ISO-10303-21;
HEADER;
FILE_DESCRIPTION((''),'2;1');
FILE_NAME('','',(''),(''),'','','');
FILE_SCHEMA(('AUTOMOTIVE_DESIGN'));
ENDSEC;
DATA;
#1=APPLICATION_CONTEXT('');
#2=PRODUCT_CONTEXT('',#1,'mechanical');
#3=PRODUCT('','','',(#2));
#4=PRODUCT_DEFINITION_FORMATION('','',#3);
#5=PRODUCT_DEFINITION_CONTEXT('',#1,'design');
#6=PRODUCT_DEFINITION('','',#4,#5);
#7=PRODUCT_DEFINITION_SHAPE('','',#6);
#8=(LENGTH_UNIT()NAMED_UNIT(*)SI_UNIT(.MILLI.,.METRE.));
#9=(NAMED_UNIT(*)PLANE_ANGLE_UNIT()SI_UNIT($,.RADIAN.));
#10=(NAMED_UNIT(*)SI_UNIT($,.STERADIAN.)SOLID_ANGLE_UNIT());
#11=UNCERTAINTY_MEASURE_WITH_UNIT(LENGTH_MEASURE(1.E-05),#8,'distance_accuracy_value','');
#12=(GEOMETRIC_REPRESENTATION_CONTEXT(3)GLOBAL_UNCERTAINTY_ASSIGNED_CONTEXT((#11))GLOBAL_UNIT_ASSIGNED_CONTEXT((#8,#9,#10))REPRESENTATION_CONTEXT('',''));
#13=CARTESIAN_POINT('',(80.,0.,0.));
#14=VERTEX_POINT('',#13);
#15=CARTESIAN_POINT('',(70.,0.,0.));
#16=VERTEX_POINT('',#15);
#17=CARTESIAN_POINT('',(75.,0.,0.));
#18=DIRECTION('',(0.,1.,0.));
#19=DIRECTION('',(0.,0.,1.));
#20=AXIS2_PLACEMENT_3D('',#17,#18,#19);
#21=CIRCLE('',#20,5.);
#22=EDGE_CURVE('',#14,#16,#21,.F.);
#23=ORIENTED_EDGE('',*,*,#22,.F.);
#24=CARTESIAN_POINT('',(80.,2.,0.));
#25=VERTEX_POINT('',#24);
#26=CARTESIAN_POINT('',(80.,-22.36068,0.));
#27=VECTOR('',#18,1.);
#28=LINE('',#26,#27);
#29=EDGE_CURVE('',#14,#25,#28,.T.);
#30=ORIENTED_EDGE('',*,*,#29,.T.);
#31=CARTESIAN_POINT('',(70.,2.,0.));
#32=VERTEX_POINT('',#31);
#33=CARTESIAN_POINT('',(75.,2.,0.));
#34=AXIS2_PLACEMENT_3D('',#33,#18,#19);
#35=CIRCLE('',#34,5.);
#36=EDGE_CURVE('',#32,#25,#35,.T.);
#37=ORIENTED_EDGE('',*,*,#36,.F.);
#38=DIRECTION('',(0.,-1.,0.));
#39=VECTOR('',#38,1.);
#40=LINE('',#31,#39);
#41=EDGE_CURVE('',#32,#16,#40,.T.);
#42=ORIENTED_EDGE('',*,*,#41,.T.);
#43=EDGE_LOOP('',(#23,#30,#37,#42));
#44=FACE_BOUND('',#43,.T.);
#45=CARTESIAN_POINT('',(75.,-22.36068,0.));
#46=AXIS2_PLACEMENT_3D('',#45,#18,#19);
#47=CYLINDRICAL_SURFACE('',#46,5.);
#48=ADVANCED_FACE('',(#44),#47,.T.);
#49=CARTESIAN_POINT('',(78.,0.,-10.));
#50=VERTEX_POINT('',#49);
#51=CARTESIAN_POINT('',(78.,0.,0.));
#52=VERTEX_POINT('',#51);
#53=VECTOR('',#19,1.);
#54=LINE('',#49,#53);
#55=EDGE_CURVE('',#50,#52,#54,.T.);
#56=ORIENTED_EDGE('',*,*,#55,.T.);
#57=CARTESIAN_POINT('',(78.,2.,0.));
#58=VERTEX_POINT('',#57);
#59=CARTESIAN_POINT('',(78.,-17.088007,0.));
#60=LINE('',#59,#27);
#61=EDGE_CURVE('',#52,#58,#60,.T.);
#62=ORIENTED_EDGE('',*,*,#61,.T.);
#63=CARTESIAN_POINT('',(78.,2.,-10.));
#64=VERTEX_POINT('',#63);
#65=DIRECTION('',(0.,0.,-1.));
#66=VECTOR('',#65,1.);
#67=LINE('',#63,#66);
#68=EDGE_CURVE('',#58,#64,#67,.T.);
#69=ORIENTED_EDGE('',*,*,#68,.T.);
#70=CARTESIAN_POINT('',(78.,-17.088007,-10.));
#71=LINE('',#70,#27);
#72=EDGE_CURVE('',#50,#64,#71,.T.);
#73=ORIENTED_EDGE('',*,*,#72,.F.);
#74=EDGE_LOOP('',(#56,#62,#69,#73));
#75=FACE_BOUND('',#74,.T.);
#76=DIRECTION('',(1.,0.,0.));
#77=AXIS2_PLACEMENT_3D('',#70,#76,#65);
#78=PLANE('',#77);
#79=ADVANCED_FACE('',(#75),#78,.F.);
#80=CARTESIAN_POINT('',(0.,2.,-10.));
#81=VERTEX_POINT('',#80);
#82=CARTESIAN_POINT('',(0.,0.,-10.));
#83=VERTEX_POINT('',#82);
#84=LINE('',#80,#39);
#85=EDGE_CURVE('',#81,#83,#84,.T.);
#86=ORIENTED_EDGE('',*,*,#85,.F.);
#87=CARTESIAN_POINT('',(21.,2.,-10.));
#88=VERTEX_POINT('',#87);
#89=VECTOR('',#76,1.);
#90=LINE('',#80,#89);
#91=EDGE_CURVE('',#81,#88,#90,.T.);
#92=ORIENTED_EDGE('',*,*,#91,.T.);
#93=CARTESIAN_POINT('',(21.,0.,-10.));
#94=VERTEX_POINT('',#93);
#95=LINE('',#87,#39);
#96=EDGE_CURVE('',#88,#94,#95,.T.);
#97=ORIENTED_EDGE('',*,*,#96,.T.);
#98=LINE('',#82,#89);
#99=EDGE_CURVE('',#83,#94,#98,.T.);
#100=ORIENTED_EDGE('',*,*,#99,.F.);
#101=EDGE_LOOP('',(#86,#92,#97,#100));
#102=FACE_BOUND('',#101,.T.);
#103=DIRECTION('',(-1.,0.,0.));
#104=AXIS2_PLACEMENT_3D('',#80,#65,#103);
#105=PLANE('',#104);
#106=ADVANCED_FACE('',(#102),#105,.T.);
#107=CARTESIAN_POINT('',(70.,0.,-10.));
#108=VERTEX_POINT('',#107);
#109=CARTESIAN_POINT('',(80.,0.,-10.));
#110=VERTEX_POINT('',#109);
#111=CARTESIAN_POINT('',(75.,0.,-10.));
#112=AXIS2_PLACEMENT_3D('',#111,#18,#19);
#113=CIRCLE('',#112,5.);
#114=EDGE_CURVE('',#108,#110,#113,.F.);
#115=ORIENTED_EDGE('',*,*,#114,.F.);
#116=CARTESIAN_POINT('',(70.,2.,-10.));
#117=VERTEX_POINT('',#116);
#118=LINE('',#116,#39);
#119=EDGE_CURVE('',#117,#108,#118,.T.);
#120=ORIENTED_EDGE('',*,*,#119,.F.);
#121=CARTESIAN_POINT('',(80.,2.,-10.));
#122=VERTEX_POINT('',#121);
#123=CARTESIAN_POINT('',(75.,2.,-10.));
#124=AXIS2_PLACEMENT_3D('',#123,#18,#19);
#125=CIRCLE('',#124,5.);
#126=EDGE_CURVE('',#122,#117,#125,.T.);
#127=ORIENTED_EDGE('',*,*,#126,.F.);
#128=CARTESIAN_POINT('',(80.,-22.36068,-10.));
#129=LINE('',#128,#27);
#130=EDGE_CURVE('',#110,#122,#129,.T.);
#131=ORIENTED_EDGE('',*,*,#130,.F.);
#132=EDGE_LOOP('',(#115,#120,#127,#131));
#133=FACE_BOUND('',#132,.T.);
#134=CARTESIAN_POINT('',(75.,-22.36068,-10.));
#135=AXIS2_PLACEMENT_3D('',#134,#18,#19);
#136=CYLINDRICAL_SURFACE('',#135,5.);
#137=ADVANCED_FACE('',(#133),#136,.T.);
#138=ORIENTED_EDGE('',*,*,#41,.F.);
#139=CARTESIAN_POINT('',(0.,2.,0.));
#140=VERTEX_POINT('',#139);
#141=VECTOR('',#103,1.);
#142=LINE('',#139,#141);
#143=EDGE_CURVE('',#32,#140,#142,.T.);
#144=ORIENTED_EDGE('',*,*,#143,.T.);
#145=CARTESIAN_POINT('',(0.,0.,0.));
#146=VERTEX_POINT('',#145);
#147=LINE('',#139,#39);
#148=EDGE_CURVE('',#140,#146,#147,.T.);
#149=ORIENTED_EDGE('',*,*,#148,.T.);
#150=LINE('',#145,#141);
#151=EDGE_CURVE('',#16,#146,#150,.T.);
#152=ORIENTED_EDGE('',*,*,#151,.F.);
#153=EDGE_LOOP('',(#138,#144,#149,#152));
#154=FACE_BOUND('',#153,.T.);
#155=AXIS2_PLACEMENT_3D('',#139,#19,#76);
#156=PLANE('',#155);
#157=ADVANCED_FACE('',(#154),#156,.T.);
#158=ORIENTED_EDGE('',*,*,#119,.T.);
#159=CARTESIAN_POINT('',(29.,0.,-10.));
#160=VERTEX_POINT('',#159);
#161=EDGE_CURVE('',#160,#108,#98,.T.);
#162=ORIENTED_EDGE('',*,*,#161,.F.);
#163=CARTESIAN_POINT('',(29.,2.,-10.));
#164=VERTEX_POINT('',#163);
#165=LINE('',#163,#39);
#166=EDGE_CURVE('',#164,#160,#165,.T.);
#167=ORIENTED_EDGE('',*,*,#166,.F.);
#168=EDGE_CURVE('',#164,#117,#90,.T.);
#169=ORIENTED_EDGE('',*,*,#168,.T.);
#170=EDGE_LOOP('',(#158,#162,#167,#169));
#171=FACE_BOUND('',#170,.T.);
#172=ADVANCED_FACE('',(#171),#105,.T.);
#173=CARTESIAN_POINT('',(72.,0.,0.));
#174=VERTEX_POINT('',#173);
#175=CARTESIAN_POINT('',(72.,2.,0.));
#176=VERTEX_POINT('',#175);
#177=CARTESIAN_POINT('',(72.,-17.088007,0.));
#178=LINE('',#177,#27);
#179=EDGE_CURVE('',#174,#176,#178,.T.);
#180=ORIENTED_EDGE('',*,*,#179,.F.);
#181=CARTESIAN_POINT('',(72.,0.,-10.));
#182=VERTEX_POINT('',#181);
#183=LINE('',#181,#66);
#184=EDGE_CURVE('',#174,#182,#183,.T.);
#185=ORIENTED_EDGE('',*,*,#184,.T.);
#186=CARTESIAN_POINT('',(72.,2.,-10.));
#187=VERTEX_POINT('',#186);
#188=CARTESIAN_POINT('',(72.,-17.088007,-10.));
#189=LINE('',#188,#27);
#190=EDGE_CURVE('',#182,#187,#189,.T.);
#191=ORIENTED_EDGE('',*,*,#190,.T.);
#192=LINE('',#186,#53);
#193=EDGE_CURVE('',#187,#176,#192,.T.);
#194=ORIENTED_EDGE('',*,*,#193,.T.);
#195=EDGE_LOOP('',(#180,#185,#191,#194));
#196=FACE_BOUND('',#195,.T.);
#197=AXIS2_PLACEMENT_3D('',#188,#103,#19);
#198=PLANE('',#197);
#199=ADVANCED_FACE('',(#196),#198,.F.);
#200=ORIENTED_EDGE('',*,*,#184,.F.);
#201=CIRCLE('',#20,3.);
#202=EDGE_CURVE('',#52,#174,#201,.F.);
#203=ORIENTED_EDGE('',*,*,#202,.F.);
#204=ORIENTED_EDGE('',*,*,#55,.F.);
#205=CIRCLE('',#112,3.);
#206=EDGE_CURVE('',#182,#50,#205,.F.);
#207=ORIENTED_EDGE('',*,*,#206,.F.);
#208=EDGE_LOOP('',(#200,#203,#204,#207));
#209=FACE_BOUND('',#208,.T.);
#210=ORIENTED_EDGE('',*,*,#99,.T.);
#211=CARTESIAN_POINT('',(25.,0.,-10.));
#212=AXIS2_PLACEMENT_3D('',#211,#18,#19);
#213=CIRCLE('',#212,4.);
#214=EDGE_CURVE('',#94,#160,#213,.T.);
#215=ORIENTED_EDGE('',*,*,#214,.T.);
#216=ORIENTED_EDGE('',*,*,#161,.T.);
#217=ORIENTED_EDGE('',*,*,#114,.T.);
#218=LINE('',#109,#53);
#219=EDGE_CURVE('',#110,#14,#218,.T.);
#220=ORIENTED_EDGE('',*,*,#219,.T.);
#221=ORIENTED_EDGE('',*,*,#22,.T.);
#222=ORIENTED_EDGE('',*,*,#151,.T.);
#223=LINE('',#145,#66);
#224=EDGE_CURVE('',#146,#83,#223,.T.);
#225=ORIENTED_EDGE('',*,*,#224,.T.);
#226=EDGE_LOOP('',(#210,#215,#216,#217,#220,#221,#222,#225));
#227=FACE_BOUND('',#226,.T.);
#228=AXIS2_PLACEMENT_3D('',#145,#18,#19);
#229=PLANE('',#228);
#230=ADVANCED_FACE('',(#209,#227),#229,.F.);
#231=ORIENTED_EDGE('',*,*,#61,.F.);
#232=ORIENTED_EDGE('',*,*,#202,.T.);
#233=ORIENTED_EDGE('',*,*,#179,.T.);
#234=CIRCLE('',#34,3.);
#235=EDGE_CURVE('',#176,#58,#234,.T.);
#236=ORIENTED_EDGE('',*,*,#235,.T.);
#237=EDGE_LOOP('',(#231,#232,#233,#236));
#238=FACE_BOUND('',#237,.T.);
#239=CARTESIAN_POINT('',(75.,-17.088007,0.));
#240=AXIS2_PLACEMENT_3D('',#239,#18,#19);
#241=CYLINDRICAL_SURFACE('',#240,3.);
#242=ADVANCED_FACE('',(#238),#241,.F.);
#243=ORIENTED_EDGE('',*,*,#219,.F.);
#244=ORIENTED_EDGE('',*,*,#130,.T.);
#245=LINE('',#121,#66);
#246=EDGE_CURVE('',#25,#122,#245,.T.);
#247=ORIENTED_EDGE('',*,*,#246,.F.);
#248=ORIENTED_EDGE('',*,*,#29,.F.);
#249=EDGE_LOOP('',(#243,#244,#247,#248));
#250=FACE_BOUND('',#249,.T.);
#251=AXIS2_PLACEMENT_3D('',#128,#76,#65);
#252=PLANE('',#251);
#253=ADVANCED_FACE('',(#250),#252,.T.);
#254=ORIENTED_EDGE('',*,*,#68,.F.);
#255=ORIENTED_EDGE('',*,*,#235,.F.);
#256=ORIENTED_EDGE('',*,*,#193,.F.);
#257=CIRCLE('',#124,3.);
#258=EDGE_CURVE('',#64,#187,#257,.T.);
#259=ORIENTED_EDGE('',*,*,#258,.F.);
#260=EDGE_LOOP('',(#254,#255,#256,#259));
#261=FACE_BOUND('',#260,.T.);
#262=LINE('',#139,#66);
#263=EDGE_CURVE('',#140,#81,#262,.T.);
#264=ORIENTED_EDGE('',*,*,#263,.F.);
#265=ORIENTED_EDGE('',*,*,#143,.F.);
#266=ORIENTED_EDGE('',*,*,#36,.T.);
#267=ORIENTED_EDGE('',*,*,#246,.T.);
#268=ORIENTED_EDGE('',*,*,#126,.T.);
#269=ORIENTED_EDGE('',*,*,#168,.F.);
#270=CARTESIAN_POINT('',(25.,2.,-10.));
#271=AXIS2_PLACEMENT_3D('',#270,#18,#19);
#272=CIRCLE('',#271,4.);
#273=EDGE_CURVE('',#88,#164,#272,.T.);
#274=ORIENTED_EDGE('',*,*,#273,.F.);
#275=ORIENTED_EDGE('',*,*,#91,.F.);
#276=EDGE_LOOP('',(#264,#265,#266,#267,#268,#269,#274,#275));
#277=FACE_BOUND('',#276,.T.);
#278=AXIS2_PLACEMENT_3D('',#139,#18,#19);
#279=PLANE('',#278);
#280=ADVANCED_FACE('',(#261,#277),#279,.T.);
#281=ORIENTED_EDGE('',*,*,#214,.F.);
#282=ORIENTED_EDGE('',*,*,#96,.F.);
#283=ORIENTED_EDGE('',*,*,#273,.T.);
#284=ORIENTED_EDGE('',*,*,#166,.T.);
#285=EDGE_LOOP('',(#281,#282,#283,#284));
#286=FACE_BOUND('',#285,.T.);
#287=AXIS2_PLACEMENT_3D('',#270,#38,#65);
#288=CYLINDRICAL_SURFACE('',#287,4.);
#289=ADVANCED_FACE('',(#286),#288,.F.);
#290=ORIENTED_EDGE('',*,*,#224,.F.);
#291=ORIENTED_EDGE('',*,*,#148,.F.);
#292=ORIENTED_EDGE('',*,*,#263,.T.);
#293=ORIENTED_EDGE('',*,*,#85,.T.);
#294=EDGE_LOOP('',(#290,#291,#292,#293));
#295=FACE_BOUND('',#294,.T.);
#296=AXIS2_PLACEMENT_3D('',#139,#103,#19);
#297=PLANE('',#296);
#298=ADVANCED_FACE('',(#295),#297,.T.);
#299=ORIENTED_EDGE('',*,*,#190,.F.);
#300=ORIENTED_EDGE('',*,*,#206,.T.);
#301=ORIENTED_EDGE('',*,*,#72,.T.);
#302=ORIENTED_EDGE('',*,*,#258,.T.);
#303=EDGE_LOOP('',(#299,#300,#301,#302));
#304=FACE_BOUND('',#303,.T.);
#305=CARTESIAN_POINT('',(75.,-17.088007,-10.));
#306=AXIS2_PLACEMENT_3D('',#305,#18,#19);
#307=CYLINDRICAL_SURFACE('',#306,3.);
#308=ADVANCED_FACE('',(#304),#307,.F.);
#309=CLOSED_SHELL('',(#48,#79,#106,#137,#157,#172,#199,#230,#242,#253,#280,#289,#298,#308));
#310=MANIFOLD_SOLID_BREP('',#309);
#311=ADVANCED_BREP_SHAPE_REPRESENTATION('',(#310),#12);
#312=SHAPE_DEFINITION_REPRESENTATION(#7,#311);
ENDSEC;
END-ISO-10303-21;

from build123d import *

# Parameters (mm, degrees)
BOSS_EXTRUDE1_DEPTH = 2
BOSS_EXTRUDE2_DEPTH = 2
CUT_EXTRUDE1_DEPTH  = 2


with BuildPart() as part:
    # Sketch1 → Boss-Extrude1 (new body)
    with BuildSketch(Plane(origin=(0, 0, 0), x_dir=(1, 0, 0), z_dir=(0, 1, 0))):
        with BuildLine():
            Line((0, 10), (0, 0))
            Line((0, 0), (70, 0))
            Line((70, 0), (70, 10))
            Line((70, 10), (29, 10))
            ThreePointArc((29, 10), (25, 6), (21, 10))
            Line((21, 10), (0, 10))
        make_face()
    extrude(amount=BOSS_EXTRUDE1_DEPTH)

    # Sketch2 → Boss-Extrude2 (add)
    with BuildSketch(Plane(origin=(0, 2, 0), x_dir=(1, 0, 0), z_dir=(0, 1, 0))):
        with BuildLine():
            Line((80, 10), (80, 0))
            ThreePointArc((80, 0), (75, -5), (70, 0))
            Line((70, 0), (70, 10))
            ThreePointArc((70, 10), (75, 15), (80, 10))
        make_face()
    extrude(amount=-BOSS_EXTRUDE2_DEPTH)

    # Sketch3 → Cut-Extrude1 (cut)
    with BuildSketch(Plane(origin=(0, 2, 0), x_dir=(1, 0, 0), z_dir=(0, 1, 0))):
        with BuildLine():
            Line((78, 10), (78, 0))
            ThreePointArc((78, 0), (75, -3), (72, 0))
            Line((72, 0), (72, 10))
            ThreePointArc((72, 10), (75, 13), (78, 10))
        make_face()
    extrude(amount=-CUT_EXTRUDE1_DEPTH, mode=Mode.SUBTRACT)


solid = part.part
